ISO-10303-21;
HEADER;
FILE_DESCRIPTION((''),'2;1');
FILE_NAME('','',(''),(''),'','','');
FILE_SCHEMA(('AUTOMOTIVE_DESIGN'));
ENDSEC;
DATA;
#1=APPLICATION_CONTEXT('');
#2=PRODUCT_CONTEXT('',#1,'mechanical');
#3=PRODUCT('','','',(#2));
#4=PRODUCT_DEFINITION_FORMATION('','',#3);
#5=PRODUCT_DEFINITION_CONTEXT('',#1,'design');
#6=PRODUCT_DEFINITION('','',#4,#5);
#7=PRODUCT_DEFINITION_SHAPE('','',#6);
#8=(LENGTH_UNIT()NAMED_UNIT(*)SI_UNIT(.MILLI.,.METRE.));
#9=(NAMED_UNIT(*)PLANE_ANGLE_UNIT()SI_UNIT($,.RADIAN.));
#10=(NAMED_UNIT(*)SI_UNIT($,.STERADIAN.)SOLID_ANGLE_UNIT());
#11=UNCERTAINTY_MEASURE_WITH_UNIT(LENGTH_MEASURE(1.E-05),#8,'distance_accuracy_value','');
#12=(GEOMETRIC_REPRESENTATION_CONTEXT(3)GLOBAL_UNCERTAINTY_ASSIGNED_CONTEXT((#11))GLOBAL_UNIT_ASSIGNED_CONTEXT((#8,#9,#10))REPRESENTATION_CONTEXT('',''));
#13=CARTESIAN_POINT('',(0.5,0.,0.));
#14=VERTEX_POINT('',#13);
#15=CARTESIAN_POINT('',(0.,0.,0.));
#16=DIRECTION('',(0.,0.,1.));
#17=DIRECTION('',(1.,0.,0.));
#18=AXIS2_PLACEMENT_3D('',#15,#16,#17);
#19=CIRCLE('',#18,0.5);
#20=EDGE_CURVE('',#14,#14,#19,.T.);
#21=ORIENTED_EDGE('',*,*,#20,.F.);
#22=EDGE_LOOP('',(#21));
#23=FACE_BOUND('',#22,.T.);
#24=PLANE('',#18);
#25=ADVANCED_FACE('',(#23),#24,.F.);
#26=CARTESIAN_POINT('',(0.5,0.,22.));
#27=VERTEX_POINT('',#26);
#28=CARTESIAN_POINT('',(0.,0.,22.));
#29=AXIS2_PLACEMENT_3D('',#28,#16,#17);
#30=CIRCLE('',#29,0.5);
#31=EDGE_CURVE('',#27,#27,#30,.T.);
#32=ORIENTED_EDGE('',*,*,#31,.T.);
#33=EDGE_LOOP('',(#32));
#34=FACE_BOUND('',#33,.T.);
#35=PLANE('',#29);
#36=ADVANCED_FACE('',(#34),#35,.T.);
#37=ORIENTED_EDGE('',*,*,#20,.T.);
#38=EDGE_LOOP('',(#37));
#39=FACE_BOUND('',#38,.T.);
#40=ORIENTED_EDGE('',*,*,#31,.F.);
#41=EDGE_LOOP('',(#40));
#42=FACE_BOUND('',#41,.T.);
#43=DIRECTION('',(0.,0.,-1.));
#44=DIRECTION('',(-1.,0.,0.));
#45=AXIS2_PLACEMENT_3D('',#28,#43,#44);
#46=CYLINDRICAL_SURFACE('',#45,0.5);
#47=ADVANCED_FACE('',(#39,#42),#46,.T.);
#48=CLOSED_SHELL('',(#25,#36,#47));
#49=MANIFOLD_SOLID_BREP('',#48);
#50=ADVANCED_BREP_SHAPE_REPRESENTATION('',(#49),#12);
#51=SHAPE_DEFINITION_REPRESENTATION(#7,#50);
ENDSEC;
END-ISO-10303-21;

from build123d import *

# Parameters (mm, degrees)
ESQUISSE1_R        = 0.5
BOSS_EXTRU_1_DEPTH = 22


with BuildPart() as part:
    # Esquisse1 → Boss.-Extru.1 (new body)
    with BuildSketch(Plane.XY):
        Circle(ESQUISSE1_R)
    extrude(amount=BOSS_EXTRU_1_DEPTH)


solid = part.part
